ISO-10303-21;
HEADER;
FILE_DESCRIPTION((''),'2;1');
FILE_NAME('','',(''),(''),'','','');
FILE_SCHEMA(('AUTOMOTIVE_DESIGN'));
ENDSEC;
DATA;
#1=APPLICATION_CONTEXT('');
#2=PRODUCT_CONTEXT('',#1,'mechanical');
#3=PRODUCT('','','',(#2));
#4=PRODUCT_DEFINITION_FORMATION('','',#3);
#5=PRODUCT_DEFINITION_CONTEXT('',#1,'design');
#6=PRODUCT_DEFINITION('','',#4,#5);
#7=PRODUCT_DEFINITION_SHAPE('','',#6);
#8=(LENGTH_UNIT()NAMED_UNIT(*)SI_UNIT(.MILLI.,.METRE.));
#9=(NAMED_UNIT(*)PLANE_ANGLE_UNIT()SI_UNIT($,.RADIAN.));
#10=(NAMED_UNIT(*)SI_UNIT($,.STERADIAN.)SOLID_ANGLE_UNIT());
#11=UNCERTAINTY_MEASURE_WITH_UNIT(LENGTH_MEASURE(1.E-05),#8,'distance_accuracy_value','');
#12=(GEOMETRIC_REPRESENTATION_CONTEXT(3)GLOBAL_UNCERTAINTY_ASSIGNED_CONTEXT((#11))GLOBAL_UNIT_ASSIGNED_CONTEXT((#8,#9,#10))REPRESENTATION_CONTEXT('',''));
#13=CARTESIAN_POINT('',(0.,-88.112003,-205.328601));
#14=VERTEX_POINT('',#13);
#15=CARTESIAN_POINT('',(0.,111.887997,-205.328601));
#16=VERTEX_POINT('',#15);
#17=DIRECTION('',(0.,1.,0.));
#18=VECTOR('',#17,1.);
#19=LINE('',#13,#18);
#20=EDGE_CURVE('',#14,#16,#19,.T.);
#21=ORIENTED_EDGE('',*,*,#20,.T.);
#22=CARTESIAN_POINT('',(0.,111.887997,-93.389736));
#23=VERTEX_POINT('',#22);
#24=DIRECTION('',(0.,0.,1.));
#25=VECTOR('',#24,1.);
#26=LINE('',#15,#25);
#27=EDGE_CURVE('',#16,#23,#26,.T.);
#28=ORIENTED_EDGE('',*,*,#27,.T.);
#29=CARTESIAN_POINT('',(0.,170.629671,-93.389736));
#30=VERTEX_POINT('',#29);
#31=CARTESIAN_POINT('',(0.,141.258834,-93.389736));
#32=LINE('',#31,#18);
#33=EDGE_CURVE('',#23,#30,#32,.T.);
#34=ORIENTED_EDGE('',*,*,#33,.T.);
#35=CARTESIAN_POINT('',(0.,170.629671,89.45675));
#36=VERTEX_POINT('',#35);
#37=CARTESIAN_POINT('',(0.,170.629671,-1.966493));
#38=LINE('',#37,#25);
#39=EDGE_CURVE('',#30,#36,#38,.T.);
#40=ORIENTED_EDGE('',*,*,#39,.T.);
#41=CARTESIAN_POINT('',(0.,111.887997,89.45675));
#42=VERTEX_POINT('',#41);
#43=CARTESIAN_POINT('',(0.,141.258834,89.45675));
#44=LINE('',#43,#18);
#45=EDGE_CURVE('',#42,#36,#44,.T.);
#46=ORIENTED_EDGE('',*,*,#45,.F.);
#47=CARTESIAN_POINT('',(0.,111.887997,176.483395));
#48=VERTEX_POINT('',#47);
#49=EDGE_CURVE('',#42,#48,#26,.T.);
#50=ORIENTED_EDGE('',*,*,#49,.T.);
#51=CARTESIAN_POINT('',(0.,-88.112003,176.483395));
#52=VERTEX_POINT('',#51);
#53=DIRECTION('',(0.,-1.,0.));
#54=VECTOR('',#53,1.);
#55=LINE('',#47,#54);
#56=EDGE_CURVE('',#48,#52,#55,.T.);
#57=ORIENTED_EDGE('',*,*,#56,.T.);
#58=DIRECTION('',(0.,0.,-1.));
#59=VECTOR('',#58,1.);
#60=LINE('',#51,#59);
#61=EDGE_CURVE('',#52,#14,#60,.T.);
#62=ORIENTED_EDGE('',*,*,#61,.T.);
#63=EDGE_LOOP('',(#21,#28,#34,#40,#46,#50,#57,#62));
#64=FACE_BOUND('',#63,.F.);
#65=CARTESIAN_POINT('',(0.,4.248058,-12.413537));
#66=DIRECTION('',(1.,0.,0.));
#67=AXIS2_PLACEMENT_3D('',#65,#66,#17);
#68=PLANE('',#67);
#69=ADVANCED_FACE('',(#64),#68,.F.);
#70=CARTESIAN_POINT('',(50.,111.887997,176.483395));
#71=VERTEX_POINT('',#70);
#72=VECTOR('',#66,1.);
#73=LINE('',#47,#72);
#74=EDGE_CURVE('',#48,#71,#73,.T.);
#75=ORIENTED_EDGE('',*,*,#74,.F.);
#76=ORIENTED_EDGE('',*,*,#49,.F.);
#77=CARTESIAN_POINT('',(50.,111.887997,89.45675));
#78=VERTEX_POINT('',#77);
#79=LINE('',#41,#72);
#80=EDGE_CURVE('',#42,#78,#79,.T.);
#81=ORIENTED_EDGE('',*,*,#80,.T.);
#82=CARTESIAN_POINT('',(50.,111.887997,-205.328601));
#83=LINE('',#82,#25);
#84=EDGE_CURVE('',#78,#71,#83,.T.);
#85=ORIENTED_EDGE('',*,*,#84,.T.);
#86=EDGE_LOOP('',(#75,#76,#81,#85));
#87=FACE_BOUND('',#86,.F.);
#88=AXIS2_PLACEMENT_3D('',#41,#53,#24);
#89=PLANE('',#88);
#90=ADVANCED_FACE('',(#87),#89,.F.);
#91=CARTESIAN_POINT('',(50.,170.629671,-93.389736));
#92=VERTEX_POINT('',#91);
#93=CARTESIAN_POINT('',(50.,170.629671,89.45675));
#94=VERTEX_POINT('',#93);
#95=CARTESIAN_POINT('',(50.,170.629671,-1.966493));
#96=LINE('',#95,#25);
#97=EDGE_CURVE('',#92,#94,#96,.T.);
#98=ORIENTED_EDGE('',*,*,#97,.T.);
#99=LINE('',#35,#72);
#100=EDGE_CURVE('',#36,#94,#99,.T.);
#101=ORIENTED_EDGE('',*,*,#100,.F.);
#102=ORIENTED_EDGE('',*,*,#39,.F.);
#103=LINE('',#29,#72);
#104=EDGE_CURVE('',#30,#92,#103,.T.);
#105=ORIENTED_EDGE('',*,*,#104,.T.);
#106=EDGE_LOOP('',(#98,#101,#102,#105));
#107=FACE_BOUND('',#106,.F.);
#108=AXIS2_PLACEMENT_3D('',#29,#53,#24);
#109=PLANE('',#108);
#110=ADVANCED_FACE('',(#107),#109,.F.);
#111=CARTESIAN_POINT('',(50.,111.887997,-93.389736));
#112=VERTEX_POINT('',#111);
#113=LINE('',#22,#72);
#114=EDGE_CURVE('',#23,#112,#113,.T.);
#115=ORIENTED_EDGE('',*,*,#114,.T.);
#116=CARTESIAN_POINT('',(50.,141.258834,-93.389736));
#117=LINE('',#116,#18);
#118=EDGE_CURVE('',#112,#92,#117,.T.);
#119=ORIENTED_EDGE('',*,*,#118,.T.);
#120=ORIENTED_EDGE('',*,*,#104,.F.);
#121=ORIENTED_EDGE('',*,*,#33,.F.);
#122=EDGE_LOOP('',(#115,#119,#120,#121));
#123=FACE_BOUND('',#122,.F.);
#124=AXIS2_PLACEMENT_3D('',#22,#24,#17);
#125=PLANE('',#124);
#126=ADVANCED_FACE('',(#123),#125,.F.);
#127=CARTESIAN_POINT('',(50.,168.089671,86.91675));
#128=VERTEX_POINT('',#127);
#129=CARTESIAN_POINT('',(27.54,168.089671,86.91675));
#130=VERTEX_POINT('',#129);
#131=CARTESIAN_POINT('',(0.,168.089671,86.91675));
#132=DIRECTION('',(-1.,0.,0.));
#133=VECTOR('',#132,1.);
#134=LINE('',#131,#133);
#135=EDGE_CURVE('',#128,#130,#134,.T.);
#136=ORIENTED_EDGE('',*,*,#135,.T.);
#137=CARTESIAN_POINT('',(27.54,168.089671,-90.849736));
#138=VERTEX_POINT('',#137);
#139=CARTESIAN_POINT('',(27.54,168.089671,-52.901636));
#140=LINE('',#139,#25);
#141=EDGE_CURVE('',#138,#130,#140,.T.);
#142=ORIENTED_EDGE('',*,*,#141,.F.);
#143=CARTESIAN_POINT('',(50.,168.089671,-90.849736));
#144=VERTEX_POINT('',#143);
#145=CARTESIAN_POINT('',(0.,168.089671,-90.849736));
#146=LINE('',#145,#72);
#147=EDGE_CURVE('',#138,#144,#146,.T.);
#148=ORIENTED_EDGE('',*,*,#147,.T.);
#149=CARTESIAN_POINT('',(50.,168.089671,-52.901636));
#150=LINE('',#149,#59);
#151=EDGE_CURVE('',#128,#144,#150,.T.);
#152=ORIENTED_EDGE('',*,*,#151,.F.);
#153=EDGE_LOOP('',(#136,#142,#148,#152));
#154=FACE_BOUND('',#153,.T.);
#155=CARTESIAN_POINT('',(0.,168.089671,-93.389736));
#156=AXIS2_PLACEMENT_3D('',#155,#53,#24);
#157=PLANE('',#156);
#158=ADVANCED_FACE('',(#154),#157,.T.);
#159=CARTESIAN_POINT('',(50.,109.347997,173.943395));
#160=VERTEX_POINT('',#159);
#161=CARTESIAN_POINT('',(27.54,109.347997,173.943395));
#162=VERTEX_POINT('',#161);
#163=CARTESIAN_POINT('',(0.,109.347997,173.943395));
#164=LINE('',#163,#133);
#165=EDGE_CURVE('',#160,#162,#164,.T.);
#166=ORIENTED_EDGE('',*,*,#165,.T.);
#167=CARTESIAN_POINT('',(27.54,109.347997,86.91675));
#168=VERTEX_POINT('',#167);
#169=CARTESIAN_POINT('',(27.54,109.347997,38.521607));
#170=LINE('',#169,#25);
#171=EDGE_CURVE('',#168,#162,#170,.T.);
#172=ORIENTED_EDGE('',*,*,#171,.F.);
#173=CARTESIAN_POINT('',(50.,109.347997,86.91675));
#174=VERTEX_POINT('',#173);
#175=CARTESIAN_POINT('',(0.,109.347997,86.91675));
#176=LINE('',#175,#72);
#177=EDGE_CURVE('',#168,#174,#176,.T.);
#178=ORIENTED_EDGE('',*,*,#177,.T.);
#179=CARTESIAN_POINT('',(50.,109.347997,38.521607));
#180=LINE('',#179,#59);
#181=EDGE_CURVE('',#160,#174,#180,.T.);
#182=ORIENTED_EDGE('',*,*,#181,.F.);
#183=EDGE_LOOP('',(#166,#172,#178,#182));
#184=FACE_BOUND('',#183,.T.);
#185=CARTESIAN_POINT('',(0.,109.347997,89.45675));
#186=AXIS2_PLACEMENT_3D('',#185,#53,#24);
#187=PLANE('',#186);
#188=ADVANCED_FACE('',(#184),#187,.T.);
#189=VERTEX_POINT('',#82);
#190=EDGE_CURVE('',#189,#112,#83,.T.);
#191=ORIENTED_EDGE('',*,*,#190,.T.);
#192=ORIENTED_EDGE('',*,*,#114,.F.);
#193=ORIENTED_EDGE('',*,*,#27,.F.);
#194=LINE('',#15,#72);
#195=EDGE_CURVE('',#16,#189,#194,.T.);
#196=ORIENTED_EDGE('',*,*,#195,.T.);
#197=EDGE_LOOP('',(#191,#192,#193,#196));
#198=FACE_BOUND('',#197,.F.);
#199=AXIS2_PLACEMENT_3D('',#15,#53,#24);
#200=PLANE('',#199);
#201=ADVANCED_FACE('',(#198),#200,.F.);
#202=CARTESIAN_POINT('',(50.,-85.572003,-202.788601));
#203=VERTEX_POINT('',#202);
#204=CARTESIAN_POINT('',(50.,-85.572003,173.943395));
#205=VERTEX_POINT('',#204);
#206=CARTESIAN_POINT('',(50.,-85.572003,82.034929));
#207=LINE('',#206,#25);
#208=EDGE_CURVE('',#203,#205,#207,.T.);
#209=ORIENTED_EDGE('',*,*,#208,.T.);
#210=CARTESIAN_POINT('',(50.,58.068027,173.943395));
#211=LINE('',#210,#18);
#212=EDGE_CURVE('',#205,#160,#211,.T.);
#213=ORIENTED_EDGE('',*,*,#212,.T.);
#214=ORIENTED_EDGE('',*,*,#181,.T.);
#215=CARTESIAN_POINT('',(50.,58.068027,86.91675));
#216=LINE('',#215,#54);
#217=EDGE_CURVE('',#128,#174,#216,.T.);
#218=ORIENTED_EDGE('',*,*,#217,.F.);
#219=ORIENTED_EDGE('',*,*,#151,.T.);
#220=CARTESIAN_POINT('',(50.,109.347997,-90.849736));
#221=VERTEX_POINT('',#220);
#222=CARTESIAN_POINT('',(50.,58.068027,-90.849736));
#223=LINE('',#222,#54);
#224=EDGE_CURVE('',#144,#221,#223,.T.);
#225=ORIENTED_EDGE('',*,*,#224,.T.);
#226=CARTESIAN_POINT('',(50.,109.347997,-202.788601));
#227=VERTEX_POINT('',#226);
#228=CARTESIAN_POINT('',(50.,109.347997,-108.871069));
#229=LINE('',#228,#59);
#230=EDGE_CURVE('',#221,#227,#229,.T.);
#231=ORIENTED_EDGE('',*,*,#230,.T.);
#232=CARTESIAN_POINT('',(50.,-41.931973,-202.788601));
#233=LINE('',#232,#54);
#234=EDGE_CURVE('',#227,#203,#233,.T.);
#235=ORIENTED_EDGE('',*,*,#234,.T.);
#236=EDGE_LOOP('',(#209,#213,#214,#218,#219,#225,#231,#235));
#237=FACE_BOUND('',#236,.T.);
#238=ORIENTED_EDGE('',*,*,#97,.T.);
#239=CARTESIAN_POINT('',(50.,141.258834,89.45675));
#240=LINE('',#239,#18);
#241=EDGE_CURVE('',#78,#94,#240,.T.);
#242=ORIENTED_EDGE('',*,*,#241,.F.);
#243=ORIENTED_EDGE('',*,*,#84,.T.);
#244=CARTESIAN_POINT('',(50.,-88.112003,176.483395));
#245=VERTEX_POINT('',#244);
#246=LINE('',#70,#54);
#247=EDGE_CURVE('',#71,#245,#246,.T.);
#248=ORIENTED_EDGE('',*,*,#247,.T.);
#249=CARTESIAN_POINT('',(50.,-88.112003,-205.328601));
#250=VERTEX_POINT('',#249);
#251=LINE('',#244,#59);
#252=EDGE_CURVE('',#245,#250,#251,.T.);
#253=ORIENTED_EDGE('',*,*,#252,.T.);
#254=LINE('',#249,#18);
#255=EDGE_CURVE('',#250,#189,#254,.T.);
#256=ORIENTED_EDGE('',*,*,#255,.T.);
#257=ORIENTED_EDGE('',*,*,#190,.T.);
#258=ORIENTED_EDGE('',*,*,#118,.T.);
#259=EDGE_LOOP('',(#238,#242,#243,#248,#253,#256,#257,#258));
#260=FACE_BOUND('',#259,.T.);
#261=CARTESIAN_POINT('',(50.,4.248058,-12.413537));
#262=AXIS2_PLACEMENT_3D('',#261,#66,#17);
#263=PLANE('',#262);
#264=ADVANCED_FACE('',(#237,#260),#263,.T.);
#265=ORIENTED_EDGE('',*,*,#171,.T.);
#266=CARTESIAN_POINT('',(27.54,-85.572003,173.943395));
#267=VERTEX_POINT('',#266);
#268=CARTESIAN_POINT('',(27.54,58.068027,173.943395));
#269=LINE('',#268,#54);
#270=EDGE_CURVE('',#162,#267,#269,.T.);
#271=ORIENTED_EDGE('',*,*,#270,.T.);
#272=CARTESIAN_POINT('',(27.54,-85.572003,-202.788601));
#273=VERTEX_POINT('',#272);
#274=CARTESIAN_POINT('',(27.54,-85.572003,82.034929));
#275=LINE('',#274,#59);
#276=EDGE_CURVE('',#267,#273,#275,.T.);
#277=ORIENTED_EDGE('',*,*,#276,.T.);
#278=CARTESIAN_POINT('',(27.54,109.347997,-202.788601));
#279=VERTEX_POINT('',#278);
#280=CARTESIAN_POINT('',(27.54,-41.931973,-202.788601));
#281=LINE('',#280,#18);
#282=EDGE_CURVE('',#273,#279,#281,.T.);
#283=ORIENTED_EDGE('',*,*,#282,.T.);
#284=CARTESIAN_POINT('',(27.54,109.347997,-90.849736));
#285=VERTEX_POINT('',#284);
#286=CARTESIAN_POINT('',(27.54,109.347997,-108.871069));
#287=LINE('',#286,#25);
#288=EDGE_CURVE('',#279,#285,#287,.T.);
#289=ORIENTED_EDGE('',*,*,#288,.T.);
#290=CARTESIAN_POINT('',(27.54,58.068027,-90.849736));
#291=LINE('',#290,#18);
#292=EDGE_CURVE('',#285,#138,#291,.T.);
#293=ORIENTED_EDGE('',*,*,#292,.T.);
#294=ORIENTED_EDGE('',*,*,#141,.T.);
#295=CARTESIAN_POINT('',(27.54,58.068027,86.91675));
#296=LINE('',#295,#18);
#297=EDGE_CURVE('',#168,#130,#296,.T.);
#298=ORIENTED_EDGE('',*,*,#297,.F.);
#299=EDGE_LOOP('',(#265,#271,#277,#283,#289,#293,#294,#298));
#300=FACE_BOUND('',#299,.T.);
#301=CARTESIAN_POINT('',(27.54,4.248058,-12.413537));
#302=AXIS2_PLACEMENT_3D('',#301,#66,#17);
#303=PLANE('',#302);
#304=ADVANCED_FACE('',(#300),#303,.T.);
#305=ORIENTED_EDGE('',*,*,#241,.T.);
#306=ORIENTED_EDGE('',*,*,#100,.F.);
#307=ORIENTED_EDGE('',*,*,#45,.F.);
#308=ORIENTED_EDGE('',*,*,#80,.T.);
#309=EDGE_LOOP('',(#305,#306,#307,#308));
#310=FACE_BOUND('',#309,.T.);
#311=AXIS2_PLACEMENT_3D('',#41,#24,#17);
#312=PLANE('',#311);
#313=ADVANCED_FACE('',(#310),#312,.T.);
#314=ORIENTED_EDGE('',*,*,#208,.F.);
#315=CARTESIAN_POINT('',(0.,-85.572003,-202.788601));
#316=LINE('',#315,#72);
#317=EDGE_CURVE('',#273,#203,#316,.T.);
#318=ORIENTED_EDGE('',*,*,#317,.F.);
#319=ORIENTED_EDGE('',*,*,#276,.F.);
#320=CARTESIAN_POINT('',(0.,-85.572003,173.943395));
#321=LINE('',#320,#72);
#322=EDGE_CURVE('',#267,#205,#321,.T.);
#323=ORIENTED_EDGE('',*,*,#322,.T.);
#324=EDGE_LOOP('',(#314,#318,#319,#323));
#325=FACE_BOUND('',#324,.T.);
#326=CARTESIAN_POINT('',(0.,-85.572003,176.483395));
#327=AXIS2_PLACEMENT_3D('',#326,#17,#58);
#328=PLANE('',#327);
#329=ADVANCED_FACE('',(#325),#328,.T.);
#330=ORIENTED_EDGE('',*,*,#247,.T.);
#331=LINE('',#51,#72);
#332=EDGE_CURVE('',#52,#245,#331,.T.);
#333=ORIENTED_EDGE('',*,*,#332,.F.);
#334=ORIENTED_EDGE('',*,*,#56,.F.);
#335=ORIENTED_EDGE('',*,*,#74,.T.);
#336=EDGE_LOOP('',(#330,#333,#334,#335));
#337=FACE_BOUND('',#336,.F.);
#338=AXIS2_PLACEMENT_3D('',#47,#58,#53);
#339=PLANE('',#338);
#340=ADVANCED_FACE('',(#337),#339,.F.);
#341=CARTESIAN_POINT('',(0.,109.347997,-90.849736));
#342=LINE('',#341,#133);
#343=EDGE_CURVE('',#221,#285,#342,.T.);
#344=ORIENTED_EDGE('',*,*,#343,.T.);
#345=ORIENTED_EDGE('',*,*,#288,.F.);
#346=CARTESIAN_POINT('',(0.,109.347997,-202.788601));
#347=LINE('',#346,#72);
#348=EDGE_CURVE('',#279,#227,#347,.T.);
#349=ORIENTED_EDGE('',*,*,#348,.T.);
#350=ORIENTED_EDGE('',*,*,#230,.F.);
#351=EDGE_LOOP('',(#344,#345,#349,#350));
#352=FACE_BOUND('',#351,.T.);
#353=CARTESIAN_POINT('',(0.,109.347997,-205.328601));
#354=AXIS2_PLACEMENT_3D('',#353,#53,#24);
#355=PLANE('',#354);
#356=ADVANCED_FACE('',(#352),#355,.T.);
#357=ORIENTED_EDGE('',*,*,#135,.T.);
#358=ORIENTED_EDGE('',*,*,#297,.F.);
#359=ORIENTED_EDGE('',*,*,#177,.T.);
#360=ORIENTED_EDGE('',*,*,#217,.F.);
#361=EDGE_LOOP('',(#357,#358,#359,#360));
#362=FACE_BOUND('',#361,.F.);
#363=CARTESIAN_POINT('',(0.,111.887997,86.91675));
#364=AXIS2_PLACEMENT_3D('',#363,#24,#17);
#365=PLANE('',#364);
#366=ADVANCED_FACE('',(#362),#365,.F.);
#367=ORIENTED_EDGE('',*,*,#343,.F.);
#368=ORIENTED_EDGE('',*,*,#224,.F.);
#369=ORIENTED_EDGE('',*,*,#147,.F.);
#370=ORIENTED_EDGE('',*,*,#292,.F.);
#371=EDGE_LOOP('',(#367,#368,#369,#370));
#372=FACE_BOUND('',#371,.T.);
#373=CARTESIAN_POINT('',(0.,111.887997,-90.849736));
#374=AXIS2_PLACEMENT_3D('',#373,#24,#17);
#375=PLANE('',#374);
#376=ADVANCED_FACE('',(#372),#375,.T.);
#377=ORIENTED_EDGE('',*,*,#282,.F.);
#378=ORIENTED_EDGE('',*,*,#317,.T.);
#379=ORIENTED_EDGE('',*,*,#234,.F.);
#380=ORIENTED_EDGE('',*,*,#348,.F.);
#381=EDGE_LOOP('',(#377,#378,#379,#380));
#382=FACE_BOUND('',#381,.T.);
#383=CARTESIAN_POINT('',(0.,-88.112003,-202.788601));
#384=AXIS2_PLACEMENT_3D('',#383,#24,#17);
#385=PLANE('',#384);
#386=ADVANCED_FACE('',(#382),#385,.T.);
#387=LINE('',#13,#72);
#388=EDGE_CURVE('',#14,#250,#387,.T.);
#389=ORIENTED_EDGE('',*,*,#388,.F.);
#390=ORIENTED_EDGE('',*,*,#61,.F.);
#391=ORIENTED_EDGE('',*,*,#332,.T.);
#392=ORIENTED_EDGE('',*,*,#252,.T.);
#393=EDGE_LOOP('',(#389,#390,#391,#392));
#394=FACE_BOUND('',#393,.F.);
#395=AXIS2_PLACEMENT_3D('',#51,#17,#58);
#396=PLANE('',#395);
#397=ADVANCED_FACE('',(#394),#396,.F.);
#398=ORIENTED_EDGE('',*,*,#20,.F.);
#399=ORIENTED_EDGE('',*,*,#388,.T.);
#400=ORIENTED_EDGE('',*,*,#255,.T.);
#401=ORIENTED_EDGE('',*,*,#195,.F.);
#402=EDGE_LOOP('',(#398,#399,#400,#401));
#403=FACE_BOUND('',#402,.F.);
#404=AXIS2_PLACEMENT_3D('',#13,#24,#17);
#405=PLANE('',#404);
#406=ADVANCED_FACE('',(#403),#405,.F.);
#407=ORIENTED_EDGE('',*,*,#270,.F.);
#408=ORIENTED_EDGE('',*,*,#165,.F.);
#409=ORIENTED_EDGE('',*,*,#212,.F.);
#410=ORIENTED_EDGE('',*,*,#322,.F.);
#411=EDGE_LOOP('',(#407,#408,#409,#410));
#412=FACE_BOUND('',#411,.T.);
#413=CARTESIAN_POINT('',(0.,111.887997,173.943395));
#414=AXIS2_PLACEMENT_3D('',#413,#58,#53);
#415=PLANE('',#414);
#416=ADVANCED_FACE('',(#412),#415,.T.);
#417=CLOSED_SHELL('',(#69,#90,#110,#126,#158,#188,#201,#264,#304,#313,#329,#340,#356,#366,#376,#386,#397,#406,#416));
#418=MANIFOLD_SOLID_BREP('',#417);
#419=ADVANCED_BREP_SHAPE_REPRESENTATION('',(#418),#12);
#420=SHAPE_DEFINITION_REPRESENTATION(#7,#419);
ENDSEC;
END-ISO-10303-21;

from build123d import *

# Parameters (mm, degrees)
F0_W     = 111.8879971261
F0_H     = 182.8464864036
F0_W_2   = 58.7416736197
F1_DEPTH = 50
F2_T     = -2.54
F3_DEPTH = 25
F4_R     = 48.7363148041
F5_DEPTH = 25
F6_DEPTH = 25


with BuildPart() as f1:
    # F0 (on Right) → F1 (new body)
    with BuildSketch(Plane.YZ):
        Polygon((0, -93.3897359272), (0, 89.4567504763), (111.8879971261, 89.4567504763), (111.8879971261, 176.4833948933), (-88.1120028739, 176.4833948933), (-88.1120028739, -205.3286014106), (111.8879971261, -205.3286014106), (111.8879971261, -93.3897359272), align=None)
        with Locations((55.9439985631, -1.9664927255)):
            Rectangle(F0_W, F0_H)
        with Locations((141.258833936, -1.9664927255)):
            Rectangle(F0_W_2, F0_H)
    extrude(amount=F1_DEPTH)

    # F2
    f2_openings = [f1.faces().sort_by_distance(p)[0] for p in [
        (50, 27.840751, -12.886637),
    ]]
    offset(amount=F2_T, openings=f2_openings, kind=Kind.INTERSECTION)

    # F3 (add): a face of the model
    f3_faces = [f1.faces().sort_by_distance(p)[0] for p in [
        (2.54, 27.6782483044, -12.8718359613),
    ]]
    extrude(f3_faces, amount=F3_DEPTH)

    # F4 (on face) → F5 (join)
    with BuildSketch(Plane.YZ.offset(27.54)):
        Circle(F4_R)
    extrude(amount=F5_DEPTH)

    # F6 (cut): a face of the model
    f6_faces = [f1.faces().sort_by_distance(p)[0] for p in [
        (52.54, 0, 0),
    ]]
    extrude(f6_faces, amount=-F6_DEPTH, mode=Mode.SUBTRACT)


solid = f1.part
